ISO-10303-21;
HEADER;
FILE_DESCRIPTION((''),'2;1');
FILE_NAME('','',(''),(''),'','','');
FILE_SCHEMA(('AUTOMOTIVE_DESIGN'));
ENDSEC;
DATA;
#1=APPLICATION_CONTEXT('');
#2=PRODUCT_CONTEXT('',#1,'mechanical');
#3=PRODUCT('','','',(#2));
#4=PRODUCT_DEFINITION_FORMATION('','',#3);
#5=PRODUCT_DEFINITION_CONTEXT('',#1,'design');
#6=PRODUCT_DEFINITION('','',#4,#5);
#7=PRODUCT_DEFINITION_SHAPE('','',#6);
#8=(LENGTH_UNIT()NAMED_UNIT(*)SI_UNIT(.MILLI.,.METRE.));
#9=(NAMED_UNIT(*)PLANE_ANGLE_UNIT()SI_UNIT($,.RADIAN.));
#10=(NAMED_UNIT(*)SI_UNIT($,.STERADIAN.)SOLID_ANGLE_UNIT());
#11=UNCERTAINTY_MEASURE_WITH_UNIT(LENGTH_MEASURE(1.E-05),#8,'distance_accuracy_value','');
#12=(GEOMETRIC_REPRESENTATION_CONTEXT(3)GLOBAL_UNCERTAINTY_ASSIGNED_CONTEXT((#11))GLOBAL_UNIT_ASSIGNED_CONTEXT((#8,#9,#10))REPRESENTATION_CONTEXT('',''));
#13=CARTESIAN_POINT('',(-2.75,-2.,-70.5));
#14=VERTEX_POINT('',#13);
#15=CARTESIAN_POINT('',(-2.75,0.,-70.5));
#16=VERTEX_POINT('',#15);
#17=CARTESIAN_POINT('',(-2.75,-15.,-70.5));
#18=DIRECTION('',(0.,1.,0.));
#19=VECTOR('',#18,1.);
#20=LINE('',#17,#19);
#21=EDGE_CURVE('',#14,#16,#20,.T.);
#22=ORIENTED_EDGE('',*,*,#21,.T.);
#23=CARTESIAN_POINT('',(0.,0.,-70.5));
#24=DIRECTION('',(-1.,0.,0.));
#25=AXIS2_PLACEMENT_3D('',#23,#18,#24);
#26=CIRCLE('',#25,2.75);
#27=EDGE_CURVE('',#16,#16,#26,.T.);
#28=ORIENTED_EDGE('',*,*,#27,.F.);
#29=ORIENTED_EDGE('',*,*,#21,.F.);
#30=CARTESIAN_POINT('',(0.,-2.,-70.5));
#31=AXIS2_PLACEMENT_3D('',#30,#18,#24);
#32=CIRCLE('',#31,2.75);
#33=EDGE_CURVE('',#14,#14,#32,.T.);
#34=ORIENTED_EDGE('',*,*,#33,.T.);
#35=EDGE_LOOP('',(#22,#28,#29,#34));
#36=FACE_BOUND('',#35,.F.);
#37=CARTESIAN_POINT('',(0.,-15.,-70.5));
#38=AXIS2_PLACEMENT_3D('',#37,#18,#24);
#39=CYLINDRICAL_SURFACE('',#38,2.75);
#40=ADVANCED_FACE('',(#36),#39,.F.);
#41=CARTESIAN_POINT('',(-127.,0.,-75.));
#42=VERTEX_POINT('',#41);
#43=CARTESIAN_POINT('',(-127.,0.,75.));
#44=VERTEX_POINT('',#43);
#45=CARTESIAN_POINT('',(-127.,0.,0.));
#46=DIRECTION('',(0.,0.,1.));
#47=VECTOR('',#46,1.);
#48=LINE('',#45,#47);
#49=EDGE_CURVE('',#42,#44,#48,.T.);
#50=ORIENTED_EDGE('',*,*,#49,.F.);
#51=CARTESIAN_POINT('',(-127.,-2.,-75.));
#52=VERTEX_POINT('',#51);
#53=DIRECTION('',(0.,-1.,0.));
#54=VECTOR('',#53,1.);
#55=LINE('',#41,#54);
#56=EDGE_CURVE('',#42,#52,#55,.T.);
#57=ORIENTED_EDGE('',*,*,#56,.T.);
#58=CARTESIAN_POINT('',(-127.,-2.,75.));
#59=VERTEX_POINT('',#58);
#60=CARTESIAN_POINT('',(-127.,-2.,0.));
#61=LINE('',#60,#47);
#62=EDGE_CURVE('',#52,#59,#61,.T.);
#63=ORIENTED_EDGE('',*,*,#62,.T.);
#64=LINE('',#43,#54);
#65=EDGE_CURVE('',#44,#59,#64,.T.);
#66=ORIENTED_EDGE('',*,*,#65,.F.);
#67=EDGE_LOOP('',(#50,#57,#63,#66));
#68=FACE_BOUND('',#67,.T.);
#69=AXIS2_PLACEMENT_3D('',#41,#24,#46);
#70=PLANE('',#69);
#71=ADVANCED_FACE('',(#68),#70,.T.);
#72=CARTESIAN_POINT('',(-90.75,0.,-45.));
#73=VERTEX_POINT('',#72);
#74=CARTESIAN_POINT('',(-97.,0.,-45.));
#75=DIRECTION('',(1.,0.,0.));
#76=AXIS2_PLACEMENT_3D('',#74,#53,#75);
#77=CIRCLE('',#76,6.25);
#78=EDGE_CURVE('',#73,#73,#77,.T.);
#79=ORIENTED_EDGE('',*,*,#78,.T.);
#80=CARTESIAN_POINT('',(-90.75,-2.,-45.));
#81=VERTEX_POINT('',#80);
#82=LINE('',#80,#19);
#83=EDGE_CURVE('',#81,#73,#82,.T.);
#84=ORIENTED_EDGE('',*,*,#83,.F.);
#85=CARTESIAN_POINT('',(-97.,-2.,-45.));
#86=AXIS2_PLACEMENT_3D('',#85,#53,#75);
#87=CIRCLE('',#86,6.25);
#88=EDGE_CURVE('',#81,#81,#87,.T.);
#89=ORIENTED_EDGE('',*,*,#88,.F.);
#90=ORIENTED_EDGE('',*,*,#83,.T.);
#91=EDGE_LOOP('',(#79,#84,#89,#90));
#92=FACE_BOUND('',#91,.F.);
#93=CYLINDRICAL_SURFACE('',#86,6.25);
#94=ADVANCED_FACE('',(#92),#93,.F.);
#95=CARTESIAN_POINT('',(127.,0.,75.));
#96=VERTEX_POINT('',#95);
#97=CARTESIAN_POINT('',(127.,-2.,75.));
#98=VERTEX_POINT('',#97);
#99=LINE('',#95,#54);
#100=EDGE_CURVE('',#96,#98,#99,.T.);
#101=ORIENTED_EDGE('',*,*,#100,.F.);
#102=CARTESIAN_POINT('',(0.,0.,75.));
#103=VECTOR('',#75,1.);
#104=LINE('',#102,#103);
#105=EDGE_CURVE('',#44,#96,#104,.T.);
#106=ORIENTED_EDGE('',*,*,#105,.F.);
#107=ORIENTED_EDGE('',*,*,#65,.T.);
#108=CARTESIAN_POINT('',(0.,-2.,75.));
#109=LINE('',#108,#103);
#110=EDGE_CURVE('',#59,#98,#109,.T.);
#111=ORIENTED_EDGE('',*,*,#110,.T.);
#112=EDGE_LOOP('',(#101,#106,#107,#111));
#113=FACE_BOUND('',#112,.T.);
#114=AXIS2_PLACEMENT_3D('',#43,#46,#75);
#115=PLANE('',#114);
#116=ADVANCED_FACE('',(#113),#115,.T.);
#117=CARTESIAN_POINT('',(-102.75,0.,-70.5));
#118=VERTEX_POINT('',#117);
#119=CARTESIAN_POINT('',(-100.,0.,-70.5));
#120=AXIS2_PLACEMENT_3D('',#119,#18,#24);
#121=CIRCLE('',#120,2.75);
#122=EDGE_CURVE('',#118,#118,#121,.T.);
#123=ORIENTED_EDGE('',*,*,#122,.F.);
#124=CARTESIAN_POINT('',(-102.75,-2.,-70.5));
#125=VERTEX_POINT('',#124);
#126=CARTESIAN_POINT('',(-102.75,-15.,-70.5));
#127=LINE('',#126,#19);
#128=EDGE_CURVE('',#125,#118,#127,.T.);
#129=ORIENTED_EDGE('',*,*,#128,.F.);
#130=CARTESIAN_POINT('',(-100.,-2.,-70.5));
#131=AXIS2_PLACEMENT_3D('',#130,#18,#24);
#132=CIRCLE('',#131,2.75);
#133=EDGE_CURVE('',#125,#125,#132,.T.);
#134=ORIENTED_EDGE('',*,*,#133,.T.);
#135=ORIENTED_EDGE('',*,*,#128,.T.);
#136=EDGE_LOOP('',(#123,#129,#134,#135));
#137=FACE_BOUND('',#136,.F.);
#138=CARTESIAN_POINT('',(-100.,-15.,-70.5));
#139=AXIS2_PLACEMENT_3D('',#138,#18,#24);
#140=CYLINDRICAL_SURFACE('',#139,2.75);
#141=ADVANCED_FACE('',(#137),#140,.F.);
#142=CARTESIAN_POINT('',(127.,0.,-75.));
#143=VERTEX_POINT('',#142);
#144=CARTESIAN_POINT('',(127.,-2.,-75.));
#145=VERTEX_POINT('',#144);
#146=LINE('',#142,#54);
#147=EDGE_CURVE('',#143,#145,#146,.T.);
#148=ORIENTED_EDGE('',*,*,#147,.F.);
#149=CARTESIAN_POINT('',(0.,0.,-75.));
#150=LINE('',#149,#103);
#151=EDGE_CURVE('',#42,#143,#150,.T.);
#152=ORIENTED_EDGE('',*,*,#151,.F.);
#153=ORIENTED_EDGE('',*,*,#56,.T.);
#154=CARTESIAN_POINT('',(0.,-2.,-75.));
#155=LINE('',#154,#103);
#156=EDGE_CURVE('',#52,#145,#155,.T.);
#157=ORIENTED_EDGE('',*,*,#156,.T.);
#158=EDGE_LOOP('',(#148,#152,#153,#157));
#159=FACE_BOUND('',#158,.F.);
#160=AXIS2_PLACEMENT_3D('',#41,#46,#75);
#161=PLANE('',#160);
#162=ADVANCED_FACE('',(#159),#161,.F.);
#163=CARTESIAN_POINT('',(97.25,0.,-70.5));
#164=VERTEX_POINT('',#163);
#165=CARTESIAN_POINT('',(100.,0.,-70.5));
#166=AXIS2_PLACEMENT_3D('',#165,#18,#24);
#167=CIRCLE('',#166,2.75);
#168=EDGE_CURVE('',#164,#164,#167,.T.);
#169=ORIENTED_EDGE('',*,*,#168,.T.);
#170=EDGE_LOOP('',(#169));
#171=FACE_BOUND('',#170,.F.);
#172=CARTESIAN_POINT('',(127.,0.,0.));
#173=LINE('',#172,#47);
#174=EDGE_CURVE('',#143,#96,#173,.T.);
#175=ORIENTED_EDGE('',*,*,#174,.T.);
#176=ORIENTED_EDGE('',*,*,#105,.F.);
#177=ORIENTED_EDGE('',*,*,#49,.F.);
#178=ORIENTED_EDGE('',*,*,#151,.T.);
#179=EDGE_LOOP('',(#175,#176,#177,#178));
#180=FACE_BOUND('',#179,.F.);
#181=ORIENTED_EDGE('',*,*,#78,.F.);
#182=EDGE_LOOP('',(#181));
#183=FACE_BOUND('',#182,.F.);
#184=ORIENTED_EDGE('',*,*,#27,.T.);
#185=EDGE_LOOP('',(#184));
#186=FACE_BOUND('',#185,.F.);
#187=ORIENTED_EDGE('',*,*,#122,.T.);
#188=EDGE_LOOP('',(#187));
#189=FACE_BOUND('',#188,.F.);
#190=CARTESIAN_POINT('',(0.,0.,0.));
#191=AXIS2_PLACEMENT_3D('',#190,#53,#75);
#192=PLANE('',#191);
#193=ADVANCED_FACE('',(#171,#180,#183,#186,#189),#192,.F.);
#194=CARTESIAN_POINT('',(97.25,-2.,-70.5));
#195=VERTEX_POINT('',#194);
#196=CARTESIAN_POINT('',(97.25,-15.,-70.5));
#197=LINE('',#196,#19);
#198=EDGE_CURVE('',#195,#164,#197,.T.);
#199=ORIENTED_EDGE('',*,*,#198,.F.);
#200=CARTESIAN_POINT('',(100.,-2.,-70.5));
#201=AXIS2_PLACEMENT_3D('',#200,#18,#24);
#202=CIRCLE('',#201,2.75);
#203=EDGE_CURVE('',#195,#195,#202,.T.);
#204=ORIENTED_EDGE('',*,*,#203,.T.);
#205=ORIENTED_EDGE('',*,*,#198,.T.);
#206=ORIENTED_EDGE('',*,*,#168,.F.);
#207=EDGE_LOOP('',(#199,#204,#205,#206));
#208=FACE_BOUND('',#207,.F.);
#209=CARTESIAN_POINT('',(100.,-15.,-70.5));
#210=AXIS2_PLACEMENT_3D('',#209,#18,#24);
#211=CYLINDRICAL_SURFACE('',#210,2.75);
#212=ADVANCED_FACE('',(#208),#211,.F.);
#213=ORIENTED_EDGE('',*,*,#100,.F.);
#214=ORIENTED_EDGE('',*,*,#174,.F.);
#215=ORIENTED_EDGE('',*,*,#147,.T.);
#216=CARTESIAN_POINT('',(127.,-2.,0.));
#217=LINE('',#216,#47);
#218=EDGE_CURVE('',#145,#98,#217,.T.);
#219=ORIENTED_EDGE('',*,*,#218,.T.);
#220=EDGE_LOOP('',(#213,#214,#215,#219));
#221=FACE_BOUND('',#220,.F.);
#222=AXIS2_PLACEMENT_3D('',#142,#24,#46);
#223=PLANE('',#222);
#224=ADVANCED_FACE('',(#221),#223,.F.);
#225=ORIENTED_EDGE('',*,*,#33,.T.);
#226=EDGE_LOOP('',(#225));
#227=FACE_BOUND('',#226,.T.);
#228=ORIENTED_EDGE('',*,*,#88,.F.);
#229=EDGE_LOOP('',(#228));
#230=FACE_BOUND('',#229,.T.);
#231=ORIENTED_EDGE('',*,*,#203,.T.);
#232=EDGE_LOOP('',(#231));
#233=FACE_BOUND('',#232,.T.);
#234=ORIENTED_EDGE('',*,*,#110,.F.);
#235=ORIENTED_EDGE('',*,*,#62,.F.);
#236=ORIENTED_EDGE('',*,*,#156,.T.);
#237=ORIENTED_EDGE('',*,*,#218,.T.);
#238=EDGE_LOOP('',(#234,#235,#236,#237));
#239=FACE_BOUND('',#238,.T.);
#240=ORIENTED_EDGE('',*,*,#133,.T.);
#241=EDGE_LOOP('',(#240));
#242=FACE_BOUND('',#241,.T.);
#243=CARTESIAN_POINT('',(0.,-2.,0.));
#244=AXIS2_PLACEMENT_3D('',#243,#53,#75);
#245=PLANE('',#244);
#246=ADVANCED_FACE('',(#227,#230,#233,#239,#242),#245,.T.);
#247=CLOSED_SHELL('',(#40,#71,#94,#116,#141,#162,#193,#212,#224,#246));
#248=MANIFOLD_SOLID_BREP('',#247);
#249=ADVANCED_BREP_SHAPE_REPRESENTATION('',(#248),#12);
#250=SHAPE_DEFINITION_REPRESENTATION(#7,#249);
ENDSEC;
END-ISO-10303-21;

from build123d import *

# Parameters (mm, degrees)
F0_W     = 254
F0_H     = 150
F1_DEPTH = 2
F2_R     = 6.25
F3_DEPTH = 25
F5_D     = 5.5
F5_DEPTH = 13
F5_TIP   = 1.6523667023


with BuildPart() as f1:
    # F0 (on Front) → F1 (new body)
    with BuildSketch(Plane.XZ):
        Rectangle(F0_W, F0_H)
    extrude(amount=F1_DEPTH)

    # F2 (on face) → F3 (cut)
    with BuildSketch(Plane.XZ.offset(2)):
        with Locations((-97, -45)):
            Circle(F2_R)
    extrude(amount=-F3_DEPTH, mode=Mode.SUBTRACT)

    # F5
    with Locations(Plane.XZ.offset(2)):
        with Locations((-100, -70.5), (0, -70.5), (100, -70.5)):
            Hole(F5_D / 2, depth=F5_DEPTH)
            with Locations((0, 0, -(F5_DEPTH + F5_TIP / 2))):  # 118° drill point
                Cone(0, F5_D / 2, F5_TIP, mode=Mode.SUBTRACT)


solid = f1.part
